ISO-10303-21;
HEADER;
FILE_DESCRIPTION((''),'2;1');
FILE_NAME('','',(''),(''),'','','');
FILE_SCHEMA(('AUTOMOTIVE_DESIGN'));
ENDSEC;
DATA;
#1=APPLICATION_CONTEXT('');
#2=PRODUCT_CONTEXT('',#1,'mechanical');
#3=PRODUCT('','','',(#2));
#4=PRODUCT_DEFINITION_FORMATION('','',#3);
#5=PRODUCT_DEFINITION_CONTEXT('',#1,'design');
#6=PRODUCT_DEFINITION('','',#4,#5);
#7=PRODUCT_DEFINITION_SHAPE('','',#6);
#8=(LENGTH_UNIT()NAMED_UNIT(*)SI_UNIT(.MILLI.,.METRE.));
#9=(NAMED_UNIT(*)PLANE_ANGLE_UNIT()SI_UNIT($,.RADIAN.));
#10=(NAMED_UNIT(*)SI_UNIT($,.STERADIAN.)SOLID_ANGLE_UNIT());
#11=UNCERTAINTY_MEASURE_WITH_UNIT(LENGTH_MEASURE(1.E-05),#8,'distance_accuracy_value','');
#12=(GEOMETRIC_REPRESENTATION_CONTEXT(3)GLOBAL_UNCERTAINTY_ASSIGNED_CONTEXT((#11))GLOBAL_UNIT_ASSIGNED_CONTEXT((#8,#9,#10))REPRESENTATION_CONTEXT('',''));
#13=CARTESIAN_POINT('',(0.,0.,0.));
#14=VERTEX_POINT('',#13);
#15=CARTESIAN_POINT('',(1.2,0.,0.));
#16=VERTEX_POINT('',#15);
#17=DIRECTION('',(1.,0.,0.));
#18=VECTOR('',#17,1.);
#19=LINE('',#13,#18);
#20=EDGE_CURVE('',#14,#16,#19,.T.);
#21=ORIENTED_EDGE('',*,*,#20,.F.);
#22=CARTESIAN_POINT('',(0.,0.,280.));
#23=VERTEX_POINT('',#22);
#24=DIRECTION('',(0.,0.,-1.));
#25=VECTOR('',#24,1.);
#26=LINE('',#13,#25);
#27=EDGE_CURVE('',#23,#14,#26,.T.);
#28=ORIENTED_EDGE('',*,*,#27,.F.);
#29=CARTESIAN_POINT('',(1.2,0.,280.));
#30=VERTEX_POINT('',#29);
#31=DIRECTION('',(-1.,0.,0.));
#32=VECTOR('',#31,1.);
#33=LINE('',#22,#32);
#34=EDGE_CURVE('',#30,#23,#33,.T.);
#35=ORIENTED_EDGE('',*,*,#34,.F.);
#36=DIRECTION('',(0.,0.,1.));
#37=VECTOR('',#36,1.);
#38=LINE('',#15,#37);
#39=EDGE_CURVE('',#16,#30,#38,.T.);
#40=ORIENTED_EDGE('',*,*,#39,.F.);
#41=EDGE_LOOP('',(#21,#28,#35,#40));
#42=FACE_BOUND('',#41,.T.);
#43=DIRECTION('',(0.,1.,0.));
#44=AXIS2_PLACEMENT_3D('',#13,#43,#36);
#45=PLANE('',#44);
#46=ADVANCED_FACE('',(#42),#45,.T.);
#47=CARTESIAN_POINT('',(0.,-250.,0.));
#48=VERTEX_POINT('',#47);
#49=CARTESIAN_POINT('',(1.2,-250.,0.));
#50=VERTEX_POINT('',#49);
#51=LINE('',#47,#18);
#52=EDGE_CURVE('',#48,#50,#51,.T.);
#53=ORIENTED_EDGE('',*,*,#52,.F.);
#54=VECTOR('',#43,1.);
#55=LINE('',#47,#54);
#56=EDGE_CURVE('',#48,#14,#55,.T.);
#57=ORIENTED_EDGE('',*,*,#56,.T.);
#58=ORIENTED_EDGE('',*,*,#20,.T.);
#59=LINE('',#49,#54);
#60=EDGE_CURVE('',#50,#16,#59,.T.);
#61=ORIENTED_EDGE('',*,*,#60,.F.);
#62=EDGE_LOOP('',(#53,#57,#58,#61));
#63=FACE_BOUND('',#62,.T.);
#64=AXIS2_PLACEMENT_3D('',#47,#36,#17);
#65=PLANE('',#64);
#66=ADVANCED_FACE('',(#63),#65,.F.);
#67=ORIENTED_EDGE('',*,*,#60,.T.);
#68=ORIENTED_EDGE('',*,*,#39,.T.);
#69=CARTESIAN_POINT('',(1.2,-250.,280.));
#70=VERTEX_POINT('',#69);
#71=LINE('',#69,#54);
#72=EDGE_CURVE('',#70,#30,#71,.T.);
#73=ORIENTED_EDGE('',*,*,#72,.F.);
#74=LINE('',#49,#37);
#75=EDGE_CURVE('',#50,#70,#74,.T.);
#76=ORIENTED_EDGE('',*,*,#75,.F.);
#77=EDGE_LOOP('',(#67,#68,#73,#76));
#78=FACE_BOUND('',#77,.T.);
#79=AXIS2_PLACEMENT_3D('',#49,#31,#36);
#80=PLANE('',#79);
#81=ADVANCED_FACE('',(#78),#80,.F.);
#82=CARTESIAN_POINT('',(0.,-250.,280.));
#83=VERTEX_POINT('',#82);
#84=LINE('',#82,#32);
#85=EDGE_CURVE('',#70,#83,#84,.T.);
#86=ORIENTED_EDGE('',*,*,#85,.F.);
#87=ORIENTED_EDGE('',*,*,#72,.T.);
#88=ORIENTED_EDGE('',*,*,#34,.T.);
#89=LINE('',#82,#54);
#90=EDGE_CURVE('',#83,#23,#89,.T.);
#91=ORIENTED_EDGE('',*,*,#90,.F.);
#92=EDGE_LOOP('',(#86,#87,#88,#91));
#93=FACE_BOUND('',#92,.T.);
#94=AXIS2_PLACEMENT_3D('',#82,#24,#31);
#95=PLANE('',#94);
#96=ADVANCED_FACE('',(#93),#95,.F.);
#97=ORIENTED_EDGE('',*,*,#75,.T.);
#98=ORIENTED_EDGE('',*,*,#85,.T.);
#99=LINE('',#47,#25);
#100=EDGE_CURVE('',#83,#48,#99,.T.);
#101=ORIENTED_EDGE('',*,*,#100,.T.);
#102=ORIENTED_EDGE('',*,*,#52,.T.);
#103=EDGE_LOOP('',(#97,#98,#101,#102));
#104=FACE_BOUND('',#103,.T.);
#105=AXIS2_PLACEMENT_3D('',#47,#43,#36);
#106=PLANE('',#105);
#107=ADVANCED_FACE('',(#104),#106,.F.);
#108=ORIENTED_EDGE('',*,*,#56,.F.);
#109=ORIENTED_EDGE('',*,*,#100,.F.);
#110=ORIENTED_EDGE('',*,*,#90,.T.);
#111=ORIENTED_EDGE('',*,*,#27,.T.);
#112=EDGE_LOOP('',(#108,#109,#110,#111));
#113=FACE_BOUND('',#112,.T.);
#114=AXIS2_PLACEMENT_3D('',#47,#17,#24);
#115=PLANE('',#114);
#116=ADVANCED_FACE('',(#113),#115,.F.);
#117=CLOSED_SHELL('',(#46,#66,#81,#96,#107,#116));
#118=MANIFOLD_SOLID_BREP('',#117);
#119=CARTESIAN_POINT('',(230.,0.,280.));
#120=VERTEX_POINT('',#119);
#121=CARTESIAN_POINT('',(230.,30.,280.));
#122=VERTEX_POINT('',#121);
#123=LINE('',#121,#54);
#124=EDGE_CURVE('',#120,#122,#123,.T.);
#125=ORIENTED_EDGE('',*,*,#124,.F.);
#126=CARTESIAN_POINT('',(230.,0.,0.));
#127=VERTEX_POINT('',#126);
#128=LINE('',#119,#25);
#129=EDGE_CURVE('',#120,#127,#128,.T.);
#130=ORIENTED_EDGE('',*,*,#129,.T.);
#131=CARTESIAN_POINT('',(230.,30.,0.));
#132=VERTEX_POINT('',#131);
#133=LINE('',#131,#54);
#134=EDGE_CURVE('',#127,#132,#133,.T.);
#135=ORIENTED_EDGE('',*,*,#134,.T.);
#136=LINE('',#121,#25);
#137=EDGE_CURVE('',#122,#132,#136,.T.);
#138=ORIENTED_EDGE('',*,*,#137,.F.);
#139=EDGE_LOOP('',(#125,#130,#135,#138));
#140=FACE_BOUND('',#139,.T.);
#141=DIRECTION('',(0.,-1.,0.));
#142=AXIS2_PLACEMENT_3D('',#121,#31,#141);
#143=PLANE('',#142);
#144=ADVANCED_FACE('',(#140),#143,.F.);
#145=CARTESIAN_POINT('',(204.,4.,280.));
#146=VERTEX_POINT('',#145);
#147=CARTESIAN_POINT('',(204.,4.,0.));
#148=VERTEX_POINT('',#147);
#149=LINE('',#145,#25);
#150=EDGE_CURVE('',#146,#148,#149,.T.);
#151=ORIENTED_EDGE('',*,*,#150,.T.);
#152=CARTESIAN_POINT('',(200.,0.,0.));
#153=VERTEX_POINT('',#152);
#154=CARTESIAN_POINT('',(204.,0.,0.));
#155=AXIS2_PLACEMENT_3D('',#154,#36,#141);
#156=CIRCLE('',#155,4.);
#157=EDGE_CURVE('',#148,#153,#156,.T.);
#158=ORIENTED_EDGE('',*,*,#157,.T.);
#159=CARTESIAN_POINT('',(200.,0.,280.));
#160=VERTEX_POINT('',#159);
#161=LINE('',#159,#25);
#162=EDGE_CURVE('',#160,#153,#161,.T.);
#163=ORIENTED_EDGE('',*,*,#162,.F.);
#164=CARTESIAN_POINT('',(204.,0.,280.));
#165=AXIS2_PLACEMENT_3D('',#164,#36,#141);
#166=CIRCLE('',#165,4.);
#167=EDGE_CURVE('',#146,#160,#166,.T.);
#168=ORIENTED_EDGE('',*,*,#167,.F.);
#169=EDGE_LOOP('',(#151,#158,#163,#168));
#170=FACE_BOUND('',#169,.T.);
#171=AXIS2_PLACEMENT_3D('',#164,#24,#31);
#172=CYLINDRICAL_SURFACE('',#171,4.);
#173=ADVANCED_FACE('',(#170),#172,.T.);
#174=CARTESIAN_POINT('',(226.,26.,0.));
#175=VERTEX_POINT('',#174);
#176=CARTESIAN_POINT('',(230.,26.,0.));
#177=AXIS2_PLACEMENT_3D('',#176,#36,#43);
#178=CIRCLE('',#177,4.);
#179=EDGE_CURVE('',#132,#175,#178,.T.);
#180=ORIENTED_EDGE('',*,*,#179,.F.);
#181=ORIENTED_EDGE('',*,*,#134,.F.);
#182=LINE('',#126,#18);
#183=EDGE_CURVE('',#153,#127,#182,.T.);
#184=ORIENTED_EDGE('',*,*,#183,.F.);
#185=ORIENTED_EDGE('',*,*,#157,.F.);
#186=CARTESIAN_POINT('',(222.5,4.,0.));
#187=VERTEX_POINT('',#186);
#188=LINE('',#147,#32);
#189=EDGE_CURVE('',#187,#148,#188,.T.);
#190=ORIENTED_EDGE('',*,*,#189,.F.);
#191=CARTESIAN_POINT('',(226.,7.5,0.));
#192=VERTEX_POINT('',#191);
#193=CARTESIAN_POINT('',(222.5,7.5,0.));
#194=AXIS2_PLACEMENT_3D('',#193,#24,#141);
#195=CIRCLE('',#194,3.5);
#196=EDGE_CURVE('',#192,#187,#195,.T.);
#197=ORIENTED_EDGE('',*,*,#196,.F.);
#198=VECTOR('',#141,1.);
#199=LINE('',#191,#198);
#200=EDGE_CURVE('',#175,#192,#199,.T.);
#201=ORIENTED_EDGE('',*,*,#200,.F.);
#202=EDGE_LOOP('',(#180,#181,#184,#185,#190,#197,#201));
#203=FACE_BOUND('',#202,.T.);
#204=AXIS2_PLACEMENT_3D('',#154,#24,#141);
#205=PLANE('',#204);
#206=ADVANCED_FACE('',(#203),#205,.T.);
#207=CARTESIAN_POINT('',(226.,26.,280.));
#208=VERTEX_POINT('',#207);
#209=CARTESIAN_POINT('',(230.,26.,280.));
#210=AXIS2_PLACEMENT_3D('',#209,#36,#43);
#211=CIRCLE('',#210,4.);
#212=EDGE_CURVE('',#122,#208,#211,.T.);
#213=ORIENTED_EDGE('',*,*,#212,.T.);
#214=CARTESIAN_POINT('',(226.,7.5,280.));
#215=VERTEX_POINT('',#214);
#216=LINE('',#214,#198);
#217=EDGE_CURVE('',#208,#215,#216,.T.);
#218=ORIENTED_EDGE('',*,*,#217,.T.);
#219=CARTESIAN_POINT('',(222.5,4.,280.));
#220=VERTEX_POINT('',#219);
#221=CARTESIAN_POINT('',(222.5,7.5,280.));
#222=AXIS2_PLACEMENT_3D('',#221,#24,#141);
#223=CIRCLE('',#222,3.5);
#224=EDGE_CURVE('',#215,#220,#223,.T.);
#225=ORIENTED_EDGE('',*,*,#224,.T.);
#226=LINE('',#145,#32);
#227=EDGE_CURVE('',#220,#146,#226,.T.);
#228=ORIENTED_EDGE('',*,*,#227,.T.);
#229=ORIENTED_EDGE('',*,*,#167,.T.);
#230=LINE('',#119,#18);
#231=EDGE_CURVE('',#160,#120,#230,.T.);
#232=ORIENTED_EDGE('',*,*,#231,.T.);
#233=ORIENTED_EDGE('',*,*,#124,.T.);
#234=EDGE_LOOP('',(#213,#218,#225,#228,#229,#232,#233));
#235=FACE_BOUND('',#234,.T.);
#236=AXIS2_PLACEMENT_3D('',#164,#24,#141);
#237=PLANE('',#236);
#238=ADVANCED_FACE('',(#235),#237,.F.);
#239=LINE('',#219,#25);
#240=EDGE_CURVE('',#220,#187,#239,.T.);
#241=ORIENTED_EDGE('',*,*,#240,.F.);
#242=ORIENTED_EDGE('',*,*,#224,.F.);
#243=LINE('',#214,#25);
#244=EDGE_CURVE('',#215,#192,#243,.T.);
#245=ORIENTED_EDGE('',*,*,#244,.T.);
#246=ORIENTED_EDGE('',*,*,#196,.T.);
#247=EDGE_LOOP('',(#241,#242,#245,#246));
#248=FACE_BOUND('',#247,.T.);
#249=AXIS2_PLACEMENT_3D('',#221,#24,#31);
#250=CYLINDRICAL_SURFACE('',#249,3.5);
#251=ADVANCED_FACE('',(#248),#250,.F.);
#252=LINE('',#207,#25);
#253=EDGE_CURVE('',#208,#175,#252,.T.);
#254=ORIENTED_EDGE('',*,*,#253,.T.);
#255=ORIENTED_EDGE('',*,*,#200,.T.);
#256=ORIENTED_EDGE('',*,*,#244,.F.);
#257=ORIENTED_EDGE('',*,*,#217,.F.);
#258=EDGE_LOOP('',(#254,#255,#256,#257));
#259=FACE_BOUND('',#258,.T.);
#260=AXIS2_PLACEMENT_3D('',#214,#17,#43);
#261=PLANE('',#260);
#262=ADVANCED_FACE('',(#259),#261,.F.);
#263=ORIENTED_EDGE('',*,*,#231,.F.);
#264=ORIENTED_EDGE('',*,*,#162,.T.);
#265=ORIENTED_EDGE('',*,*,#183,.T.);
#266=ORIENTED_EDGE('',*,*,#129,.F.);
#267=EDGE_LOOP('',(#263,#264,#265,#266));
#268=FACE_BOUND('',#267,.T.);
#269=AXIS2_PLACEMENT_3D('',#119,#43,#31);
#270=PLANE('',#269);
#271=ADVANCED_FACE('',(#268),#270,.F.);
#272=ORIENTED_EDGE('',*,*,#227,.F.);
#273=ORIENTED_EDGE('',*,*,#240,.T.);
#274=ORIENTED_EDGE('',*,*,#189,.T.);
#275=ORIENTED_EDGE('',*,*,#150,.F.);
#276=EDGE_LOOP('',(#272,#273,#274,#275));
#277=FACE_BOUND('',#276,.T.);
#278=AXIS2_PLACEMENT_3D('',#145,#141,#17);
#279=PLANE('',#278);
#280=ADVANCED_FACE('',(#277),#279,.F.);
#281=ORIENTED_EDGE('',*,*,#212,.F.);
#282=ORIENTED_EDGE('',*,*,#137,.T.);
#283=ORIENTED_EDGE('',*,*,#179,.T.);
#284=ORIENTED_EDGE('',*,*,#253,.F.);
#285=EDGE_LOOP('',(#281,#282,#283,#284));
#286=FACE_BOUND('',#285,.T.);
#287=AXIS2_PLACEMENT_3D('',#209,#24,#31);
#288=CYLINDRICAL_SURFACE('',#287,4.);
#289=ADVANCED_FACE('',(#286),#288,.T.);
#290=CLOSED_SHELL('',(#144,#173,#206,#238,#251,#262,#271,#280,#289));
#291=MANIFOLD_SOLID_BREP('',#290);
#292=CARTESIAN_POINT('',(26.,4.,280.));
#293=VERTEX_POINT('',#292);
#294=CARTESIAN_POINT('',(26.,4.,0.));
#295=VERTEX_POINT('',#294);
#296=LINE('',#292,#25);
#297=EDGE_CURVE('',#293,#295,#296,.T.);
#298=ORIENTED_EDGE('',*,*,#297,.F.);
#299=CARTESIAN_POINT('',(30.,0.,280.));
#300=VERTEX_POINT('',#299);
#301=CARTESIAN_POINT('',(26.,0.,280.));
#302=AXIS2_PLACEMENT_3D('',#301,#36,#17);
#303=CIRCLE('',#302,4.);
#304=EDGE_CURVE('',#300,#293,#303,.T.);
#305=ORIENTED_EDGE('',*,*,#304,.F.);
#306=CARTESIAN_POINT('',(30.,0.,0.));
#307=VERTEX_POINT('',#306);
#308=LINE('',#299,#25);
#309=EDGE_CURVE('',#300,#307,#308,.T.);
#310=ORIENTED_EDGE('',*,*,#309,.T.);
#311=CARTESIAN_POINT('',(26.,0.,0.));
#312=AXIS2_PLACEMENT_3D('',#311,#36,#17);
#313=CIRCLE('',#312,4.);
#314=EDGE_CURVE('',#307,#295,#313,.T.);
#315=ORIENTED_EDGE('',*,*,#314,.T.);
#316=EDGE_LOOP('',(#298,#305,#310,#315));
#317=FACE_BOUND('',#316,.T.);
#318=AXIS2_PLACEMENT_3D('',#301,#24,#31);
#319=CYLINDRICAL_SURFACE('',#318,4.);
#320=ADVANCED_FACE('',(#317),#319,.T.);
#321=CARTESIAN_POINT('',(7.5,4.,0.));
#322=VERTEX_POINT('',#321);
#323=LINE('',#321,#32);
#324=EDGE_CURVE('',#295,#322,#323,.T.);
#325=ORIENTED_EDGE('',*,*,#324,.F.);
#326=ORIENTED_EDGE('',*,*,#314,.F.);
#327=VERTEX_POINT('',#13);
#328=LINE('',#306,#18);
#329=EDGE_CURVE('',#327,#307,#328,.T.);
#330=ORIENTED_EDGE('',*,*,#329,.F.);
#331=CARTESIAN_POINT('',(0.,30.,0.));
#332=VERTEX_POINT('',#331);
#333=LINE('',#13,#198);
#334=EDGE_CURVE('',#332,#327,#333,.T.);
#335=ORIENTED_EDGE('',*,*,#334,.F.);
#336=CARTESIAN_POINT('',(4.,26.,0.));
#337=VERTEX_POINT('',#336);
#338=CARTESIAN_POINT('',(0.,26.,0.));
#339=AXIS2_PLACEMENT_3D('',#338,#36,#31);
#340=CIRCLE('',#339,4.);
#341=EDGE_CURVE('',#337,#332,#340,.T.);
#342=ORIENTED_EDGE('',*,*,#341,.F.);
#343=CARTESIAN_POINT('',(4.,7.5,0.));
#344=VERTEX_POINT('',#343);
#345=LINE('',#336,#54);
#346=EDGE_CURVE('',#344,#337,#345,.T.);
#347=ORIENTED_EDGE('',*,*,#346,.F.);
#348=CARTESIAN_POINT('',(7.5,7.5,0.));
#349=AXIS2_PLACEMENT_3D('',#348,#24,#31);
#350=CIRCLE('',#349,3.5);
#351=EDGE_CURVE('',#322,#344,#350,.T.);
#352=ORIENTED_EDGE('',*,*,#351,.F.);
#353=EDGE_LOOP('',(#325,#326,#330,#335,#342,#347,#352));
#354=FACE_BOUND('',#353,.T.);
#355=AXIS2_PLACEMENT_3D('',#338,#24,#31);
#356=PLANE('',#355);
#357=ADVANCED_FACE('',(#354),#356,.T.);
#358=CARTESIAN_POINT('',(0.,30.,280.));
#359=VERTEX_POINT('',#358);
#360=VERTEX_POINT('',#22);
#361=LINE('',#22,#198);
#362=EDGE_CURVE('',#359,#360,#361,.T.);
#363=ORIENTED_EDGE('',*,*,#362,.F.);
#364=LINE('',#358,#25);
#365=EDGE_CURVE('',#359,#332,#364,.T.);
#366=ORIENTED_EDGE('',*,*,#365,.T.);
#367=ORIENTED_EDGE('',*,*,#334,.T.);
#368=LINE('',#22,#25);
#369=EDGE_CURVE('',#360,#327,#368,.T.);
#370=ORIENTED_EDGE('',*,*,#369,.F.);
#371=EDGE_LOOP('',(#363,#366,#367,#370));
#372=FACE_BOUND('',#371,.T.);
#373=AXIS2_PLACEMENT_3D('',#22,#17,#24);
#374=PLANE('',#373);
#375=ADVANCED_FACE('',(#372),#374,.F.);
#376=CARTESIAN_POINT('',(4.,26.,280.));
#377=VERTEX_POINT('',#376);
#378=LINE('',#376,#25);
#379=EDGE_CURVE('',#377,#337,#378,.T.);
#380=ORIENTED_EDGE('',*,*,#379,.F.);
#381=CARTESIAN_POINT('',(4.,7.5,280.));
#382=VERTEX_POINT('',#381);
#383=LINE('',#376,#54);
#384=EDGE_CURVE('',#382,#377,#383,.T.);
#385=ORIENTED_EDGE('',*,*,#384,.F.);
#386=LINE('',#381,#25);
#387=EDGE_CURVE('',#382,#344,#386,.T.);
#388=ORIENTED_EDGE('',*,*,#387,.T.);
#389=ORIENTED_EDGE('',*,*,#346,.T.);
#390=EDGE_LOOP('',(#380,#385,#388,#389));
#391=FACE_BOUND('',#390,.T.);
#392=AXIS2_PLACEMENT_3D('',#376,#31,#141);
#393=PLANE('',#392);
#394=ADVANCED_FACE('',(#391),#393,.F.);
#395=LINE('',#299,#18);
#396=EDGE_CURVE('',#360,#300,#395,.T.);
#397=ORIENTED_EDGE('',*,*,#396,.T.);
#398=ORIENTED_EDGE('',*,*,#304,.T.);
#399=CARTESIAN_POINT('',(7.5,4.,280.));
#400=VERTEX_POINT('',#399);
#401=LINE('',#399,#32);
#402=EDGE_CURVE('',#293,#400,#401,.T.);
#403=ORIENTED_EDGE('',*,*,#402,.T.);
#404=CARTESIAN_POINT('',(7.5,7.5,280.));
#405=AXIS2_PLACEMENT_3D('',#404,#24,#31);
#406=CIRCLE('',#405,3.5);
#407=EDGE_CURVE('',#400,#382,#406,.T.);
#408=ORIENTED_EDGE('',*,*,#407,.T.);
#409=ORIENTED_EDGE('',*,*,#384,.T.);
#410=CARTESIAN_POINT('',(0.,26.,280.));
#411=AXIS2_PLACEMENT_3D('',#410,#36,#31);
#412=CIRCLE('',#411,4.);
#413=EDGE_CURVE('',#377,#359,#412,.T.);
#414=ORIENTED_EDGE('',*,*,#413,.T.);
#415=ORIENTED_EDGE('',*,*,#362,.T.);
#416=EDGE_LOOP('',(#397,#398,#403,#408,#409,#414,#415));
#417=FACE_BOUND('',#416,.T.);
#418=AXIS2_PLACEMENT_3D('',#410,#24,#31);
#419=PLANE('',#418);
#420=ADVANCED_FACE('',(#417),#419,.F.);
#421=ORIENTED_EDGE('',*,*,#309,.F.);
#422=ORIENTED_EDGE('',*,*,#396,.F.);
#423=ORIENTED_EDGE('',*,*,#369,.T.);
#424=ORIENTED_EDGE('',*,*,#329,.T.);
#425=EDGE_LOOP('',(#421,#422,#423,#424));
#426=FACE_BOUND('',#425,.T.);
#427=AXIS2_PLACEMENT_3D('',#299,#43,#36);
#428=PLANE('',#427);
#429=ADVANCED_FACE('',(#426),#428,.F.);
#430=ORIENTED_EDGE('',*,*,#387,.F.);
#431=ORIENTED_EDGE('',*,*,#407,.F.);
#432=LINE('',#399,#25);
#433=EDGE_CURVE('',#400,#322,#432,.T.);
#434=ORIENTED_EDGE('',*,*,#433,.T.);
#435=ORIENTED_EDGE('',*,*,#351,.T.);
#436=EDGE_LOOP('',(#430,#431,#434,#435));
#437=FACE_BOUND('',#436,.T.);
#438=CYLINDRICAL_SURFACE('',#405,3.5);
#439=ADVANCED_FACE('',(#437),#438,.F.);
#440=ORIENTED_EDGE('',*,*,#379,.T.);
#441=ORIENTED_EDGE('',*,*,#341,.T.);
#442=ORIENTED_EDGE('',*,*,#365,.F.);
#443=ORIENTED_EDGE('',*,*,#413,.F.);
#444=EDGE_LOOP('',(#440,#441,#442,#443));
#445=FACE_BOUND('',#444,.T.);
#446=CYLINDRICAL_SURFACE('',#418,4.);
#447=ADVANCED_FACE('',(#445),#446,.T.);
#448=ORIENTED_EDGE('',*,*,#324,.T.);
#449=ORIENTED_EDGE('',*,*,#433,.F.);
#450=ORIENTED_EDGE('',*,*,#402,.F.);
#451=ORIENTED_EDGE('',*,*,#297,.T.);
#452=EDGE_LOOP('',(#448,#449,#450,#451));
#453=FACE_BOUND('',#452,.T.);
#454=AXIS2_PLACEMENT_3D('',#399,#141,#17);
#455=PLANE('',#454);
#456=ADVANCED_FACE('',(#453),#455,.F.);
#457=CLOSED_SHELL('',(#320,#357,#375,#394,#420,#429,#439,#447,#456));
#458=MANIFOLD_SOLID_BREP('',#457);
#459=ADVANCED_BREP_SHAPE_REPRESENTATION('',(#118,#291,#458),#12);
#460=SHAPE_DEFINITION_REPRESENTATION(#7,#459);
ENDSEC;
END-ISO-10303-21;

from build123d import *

# Parameters (mm, degrees)
ANGLE_IRON_25_X_25_X_4_1_DEPTH   = 280
ANGLE_IRON_25_X_25_X_4_1_2_DEPTH = 280
SKETCH12_W                       = 1.2
SKETCH12_H                       = 280
BOSS_EXTRUDE1_DEPTH              = 250


with BuildPart() as part:
    # Sketch11 → Angle iron 25 X 25 X 4(1) (new body)
    with BuildSketch(Plane.XY):
        with BuildLine():
            Line((0, 0), (0, 30))
            ThreePointArc((0, 30), (2.828427125, 28.828427125), (4, 26))
            Line((4, 26), (4, 7.5))
            ThreePointArc((4, 7.5), (5.025126266, 5.025126266), (7.5, 4))
            Line((7.5, 4), (26, 4))
            ThreePointArc((26, 4), (28.828427125, 2.828427125), (30, 0))
            Line((30, 0), (0, 0))
        make_face()
    extrude(amount=ANGLE_IRON_25_X_25_X_4_1_DEPTH)


with BuildPart() as body_2:
    # Sketch11 on segment 2 (carried to segment 2) → Angle iron 25 X 25 X 4_1 2 (new body)
    with BuildSketch(Plane(origin=(230, 0, 0), x_dir=(0, 1, 0), z_dir=(0, 0, 1))):
        with BuildLine():
            Line((0, 0), (0, 30))
            ThreePointArc((0, 30), (2.828427125, 28.828427125), (4, 26))
            Line((4, 26), (4, 7.5))
            ThreePointArc((4, 7.5), (5.025126266, 5.025126266), (7.5, 4))
            Line((7.5, 4), (26, 4))
            ThreePointArc((26, 4), (28.828427125, 2.828427125), (30, 0))
            Line((30, 0), (0, 0))
        make_face()
    extrude(amount=ANGLE_IRON_25_X_25_X_4_1_2_DEPTH)


with BuildPart() as body_3:
    # Sketch12 → Boss-Extrude1 (new body)
    with BuildSketch(Plane.XZ):
        with Locations((0.6, 140)):
            Rectangle(SKETCH12_W, SKETCH12_H)
    extrude(amount=BOSS_EXTRUDE1_DEPTH)


solid = Compound([part.part, body_2.part, body_3.part])
